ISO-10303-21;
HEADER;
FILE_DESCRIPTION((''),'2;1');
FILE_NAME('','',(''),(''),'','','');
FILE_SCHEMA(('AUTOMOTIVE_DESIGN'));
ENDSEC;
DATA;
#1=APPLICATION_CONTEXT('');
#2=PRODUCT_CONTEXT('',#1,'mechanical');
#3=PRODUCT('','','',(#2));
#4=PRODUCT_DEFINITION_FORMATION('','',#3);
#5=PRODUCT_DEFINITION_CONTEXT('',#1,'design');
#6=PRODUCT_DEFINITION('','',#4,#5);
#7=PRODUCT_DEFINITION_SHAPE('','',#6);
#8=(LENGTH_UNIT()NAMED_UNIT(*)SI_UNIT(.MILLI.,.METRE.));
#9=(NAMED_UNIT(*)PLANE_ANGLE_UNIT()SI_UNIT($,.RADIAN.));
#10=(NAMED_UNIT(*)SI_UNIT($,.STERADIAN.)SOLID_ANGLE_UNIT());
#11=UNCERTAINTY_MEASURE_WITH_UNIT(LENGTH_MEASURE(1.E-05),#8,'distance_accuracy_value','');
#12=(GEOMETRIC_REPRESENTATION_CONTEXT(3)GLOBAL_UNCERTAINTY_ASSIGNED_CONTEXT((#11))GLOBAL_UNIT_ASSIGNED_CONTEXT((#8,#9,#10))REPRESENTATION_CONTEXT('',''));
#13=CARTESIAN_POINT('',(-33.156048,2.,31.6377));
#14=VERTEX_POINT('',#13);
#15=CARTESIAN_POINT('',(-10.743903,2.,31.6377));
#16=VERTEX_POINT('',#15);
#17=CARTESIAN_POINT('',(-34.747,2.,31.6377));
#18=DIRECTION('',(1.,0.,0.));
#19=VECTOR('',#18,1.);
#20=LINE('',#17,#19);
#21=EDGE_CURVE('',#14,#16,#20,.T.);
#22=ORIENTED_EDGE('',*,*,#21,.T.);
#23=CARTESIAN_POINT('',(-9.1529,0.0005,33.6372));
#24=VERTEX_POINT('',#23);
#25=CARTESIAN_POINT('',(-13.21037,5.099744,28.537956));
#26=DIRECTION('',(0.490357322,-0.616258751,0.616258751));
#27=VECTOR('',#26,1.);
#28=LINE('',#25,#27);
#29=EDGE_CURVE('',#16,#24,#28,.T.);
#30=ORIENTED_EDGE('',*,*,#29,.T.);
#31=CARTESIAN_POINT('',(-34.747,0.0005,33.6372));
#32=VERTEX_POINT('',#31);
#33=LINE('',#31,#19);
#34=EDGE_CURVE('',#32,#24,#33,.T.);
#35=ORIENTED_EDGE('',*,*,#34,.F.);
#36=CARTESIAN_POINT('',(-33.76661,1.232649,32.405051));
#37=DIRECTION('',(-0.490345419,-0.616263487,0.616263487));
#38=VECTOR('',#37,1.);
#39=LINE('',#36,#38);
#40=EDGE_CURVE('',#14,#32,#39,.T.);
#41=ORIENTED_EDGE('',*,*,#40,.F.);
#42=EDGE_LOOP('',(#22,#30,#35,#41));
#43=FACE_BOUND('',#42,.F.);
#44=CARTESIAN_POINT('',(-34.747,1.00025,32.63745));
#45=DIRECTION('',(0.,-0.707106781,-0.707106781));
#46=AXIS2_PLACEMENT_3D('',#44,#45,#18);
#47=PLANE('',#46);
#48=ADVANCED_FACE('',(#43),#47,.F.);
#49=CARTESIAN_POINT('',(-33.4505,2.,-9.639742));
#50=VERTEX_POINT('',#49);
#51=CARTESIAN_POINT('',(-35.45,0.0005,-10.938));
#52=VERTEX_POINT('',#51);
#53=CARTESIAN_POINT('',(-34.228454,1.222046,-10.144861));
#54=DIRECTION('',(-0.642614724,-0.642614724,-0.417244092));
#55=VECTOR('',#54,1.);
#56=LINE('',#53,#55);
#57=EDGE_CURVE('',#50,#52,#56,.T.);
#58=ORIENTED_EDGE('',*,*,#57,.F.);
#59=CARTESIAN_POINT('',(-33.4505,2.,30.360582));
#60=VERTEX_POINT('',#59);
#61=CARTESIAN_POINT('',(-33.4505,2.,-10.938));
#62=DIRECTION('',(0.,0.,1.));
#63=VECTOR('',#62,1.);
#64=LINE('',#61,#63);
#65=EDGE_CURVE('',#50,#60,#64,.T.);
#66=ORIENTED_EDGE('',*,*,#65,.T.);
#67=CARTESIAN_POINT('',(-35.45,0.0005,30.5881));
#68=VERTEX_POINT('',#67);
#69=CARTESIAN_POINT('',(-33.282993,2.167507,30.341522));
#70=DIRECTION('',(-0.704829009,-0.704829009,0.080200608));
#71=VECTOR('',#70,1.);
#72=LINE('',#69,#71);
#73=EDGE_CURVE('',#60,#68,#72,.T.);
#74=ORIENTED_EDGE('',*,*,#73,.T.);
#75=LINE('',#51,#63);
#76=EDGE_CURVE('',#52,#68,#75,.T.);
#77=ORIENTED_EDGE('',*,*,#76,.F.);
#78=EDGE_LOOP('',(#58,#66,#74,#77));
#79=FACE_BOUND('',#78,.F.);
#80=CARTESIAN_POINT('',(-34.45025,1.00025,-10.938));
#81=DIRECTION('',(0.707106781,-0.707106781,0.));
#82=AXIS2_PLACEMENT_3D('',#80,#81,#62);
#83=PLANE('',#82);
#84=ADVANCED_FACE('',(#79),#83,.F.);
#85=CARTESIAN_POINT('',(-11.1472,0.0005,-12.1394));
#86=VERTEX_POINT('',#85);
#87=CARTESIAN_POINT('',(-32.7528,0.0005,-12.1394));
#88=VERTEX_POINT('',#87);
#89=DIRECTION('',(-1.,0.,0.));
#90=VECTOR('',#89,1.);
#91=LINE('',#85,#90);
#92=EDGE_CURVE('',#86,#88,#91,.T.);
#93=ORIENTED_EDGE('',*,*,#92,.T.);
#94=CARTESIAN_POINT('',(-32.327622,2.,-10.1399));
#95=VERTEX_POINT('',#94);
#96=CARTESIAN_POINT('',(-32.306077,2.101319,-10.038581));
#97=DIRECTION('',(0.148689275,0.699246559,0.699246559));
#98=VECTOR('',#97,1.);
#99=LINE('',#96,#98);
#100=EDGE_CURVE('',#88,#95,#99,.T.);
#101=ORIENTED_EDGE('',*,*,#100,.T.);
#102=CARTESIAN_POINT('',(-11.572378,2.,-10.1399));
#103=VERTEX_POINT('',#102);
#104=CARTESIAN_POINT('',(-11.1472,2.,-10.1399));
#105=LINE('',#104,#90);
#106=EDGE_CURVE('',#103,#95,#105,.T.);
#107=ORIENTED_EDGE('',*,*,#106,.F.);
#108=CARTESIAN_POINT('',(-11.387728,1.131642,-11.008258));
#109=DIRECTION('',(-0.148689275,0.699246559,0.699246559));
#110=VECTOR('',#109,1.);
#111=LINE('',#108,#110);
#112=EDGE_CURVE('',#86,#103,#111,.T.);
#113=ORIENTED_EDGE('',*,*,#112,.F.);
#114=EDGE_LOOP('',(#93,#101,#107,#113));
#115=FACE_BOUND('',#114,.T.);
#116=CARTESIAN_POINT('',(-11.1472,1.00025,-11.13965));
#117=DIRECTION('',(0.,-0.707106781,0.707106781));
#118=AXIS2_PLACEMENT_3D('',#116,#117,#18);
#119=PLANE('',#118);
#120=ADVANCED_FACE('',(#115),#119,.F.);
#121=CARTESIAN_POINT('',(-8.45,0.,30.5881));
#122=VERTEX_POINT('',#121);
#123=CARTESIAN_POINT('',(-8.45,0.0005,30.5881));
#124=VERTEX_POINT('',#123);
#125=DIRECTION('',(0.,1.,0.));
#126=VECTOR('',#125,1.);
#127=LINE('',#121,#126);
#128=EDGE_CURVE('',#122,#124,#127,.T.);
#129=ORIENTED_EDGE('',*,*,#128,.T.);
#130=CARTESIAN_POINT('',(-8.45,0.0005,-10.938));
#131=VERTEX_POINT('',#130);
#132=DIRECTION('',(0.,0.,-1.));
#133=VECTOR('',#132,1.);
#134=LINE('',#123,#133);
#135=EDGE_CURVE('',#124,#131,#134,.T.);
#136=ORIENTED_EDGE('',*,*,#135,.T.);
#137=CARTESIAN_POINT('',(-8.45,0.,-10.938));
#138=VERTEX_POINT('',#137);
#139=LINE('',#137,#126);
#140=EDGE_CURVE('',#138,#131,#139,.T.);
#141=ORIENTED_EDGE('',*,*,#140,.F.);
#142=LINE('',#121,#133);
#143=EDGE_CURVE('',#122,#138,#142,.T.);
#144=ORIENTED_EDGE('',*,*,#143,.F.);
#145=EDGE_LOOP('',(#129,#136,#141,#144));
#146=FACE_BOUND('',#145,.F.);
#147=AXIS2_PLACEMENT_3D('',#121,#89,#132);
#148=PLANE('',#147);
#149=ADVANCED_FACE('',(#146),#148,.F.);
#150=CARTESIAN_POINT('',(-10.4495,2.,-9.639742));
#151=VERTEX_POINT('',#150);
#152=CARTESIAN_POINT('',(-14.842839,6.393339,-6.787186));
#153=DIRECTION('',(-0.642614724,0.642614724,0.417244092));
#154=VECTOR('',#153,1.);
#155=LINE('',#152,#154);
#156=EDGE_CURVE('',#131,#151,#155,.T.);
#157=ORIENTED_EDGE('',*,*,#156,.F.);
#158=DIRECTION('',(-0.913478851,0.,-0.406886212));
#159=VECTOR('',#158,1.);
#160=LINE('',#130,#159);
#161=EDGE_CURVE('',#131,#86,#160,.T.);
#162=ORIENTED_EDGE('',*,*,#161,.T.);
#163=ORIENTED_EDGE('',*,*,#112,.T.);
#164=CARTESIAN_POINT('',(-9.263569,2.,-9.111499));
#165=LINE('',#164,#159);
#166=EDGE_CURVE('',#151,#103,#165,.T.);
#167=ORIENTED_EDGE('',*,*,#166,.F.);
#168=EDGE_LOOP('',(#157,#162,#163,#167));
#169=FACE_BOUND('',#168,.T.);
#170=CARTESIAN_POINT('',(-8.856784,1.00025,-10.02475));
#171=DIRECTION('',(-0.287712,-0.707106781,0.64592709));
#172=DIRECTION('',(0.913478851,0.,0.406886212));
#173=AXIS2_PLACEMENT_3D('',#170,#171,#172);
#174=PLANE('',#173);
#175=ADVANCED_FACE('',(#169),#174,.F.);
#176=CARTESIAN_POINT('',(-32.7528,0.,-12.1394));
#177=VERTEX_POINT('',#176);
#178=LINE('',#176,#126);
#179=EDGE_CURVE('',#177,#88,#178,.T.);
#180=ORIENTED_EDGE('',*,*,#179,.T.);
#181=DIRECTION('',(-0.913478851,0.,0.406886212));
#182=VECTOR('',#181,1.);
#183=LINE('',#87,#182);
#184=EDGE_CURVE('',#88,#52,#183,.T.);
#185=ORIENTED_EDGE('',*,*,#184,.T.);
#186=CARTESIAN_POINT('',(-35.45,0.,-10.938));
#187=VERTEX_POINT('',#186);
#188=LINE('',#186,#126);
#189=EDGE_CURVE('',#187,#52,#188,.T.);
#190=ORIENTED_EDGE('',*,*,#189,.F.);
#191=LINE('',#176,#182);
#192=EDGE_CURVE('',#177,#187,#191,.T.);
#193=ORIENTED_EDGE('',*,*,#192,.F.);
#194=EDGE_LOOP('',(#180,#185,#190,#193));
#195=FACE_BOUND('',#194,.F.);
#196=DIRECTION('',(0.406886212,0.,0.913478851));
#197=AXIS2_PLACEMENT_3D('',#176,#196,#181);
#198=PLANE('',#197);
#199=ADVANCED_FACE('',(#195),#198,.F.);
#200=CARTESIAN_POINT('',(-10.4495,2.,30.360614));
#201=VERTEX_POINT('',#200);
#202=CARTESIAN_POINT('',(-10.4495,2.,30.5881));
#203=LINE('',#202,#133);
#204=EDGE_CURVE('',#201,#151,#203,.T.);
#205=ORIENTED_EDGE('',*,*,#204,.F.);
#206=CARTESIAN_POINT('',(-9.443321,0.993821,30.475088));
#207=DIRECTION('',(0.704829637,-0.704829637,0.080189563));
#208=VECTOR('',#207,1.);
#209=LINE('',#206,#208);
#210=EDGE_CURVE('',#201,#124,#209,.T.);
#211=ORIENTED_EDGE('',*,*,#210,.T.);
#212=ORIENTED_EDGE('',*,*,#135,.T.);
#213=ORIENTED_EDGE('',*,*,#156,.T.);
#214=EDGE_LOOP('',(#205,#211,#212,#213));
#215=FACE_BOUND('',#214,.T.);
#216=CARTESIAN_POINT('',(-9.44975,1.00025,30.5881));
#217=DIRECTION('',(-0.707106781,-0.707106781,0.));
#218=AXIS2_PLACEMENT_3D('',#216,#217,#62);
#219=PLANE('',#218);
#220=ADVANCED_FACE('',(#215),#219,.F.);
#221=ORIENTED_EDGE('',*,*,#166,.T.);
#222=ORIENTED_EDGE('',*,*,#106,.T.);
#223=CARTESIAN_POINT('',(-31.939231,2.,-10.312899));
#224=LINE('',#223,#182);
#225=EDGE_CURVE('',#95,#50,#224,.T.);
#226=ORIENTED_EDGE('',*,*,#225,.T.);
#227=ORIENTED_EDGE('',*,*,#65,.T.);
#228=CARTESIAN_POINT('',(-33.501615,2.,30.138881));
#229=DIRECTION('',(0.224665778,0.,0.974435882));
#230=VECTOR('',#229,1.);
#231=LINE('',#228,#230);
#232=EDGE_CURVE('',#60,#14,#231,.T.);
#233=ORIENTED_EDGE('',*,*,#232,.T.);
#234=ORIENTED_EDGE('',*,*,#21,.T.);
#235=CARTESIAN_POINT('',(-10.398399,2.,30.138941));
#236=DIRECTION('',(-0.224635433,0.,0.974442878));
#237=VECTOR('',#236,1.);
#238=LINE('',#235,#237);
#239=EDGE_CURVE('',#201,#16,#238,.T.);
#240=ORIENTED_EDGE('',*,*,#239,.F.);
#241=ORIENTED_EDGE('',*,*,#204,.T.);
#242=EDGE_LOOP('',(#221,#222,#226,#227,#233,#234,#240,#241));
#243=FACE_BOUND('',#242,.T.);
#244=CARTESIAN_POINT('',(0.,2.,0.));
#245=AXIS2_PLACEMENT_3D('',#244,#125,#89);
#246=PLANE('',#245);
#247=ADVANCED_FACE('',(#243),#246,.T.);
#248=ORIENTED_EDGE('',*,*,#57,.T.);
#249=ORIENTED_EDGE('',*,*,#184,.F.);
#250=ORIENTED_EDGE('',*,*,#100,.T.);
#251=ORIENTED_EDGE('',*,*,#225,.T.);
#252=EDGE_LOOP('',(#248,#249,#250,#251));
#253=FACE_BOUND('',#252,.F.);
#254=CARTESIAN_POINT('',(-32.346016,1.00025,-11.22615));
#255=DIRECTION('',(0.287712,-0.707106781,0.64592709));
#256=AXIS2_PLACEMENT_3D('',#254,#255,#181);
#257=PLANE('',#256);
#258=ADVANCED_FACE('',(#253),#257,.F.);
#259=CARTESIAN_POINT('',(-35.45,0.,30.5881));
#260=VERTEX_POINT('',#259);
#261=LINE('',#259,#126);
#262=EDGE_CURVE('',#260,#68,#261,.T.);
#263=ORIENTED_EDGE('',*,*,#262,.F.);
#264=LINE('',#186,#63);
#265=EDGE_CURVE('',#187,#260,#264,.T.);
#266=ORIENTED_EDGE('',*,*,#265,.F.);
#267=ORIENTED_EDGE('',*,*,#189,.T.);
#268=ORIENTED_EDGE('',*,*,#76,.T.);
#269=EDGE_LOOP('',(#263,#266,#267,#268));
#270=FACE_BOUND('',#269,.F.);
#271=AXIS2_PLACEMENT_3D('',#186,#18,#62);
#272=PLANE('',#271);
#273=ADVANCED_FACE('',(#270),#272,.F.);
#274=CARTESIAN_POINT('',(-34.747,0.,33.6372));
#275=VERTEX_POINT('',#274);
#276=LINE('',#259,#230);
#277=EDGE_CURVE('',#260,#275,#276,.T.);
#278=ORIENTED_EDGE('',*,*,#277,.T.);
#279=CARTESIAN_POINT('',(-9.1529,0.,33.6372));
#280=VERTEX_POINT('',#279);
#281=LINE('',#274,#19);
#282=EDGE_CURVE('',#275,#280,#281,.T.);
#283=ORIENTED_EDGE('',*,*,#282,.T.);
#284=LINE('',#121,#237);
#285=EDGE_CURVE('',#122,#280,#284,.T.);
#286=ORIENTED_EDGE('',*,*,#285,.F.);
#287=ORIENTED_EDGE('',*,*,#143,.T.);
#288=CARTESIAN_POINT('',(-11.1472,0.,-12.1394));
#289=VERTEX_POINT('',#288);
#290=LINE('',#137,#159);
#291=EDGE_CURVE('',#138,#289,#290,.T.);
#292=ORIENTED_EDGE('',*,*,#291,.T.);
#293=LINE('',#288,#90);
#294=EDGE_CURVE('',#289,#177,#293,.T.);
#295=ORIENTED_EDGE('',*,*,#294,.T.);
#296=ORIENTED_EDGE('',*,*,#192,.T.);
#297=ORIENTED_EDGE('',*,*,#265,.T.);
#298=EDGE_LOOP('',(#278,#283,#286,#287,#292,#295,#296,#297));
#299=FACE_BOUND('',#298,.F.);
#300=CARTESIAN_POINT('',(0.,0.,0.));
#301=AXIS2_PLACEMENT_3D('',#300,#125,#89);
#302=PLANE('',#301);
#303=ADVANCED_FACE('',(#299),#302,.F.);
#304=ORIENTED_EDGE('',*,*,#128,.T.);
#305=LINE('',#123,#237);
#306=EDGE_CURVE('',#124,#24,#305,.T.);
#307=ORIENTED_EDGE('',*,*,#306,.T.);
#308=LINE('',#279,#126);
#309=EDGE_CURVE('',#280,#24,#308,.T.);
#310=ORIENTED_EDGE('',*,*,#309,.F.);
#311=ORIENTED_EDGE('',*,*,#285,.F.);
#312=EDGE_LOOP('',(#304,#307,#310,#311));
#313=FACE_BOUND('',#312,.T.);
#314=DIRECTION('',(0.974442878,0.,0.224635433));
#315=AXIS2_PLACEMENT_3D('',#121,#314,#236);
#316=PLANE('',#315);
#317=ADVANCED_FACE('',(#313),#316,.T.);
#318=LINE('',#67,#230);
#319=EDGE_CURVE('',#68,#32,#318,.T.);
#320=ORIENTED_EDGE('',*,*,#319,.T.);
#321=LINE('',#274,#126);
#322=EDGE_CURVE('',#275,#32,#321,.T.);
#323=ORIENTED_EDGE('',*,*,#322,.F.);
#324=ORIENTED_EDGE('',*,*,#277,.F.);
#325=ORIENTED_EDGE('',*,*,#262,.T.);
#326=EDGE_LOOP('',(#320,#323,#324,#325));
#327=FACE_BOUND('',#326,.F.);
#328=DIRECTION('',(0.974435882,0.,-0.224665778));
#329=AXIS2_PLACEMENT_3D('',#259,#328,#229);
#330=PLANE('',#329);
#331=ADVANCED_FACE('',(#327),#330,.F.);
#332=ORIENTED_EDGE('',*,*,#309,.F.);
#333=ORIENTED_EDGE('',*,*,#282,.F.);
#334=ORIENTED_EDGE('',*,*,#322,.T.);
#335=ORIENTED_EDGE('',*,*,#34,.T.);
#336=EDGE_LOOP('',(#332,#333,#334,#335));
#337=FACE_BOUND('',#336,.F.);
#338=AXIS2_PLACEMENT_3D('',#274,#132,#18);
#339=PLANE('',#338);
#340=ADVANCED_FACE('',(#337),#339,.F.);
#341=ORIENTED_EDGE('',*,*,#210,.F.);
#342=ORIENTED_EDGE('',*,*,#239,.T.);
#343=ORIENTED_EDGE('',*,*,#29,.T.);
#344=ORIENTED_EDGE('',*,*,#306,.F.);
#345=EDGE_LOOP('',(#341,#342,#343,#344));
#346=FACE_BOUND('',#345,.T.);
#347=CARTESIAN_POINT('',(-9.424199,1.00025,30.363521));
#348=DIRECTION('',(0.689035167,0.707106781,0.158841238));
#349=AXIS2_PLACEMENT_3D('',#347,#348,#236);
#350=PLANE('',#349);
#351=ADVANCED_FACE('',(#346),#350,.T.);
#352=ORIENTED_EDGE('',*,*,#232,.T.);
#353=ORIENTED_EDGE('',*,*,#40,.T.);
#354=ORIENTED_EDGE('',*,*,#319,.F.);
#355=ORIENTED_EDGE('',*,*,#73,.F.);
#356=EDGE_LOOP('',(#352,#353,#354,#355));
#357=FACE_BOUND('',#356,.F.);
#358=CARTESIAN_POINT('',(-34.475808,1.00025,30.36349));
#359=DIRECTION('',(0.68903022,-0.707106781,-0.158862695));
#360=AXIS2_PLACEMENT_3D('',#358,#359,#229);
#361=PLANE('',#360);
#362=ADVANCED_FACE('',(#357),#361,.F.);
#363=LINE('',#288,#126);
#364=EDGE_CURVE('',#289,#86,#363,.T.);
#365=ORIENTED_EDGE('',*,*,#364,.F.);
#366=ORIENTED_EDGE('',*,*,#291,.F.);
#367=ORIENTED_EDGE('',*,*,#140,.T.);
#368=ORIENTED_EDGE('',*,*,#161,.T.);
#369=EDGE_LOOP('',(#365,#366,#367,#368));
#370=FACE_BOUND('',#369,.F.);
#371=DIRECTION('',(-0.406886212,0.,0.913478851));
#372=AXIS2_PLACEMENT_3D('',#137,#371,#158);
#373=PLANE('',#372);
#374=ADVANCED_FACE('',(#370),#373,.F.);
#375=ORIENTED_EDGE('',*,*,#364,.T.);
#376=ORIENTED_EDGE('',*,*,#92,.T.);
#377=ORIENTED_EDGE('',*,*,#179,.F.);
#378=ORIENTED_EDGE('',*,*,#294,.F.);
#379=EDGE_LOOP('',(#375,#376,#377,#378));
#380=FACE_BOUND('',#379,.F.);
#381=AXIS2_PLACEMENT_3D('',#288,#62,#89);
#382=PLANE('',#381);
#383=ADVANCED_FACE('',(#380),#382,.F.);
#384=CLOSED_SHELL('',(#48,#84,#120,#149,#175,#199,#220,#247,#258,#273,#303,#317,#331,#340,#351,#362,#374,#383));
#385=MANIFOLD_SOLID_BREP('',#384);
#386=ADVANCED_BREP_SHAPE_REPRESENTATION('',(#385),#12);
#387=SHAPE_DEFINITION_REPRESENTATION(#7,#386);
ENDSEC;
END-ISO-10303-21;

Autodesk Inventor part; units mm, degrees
ref_plane "YZ Plane" through (0, 0, 0) normal (1, 0, 0) x (0, 1, 0)
ref_plane "XZ Plane" through (0, 0, 0) normal (0, 1, 0) x (-1, 0, 0)
ref_plane "XY Plane" through (0, 0, 0) normal (0, 0, 1) x (1, 0, 0)
sketch "Sketch1" plane through (0, 0, 0) normal (0, 1, 0) x (-1, 0, 0)
  line L0 (11.1472, -12.1394) -> (32.7528, -12.1394)
  line L1 (32.7528, -12.1394) -> (11.1472, -12.1394)
  line L2 (8.45, -10.938) -> (11.1472, -12.1394)
  line L3 (11.1472, -12.1394) -> (8.45, -10.938)
  line L4 (8.45, -10.938) -> (10.45, -9.6394)
  line L5 (8.45, 30.5881) -> (8.45, -10.938)
  line L6 (8.45, -10.938) -> (8.45, 30.5881)
  line L7 (9.1529, 33.6372) -> (10.7443, 31.6372)
  line L8 (8.45, 30.5881) -> (9.1529, 33.6372)
  line L9 (35.45, -10.938) -> (35.45, 30.5881)
  line L10 (8.45, -10.938) -> (35.45, -10.938)
  line L11 (35.45, 30.5881) -> (33.45, 30.3606)
  line L12 (8.45, 30.5881) -> (35.45, 30.5881)
  line L13 (34.747, 33.6372) -> (9.1529, 33.6372)
  line L14 (9.1529, 33.6372) -> (34.747, 33.6372)
  line L15 (11.1472, -12.1394) -> (32.7528, -12.1394)
  line L16 (8.45, 30.5881) -> (9.1529, 33.6372)
  line L17 (9.1529, 33.6372) -> (34.747, 33.6372)
  line L18 (11.5725, -10.1394) -> (32.3275, -10.1394)
  line L19 (32.3275, -10.1394) -> (11.5725, -10.1394)
  line L20 (11.1472, -12.1394) -> (8.45, -10.938)
  line L21 (8.45, -10.938) -> (8.45, 30.5881)
  line L22 (8.45, 30.5881) -> (9.1529, 33.6372)
  line L23 (34.747, 33.6372) -> (9.1529, 33.6372)
  line L24 (35.45, 30.5881) -> (34.747, 33.6372)
  line L25 (34.747, 33.6372) -> (35.45, 30.5881)
  line L26 (32.7528, -12.1394) -> (35.45, -10.938)
  line L27 (32.7528, -12.1394) -> (35.45, -10.938)
  line L28 (33.45, -9.6394) -> (33.45, 30.3606)
  line L29 (32.3275, -10.1394) -> (33.45, -9.6394)
  line L30 (33.45, 30.3606) -> (33.45, -9.6394)
  line L31 (32.3275, -10.1394) -> (11.5725, -10.1394)
  line L32 (10.45, -9.6394) -> (11.5725, -10.1394)
  line L33 (11.5725, -10.1394) -> (10.45, -9.6394)
  line L34 (10.45, -9.6394) -> (10.45, 30.3606)
  line L35 (10.45, 30.3606) -> (10.7443, 31.6372)
  line L36 (33.1557, 31.6372) -> (10.7443, 31.6372)
  line L37 (33.45, 30.3606) -> (33.1557, 31.6372)
  point P0 (0, 0)
  point P1 (-34.55, -34.6394)
extrude "Extrusion1" add sketch "Sketch1" along normal blind 2
chamfer "Chamfer1" distance 2 angle 45 8 edges at (-35.45, 2, 9.8251) (-35.0985, 2, 32.1127) (-21.95, 2, 33.6372) (-8.8014, 2, 32.1127) (-8.45, 2, 9.8251) (-21.95, 2, -12.1394) (-9.7986, 2, -11.5387) (-34.1014, 2, -11.5387)
sketch "Sketch2" plane through (0, 2, 0) normal (0, 1, 0) x (1, 0, 0)
  point P0 (0, 0)
equation "\"BendRadius\" = Thickness"
equation "\"BendReliefWidth\" = Thickness"
equation "\"BendReliefDepth\" = 0.5 * Thickness"
equation "\"CornerReliefSize\" = 4 * Thickness"
equation "\"MinimumRemnant\" = 2 * Thickness"
equation "\"TransitionRadius\" = BendRadius"
equation "\"JacobiRadiusSize\" = BendRadius"
equation "\"GapSize\" = Thickness"
equation "\"Thickness\" = 0.5"
properties part number "Part3edd"
